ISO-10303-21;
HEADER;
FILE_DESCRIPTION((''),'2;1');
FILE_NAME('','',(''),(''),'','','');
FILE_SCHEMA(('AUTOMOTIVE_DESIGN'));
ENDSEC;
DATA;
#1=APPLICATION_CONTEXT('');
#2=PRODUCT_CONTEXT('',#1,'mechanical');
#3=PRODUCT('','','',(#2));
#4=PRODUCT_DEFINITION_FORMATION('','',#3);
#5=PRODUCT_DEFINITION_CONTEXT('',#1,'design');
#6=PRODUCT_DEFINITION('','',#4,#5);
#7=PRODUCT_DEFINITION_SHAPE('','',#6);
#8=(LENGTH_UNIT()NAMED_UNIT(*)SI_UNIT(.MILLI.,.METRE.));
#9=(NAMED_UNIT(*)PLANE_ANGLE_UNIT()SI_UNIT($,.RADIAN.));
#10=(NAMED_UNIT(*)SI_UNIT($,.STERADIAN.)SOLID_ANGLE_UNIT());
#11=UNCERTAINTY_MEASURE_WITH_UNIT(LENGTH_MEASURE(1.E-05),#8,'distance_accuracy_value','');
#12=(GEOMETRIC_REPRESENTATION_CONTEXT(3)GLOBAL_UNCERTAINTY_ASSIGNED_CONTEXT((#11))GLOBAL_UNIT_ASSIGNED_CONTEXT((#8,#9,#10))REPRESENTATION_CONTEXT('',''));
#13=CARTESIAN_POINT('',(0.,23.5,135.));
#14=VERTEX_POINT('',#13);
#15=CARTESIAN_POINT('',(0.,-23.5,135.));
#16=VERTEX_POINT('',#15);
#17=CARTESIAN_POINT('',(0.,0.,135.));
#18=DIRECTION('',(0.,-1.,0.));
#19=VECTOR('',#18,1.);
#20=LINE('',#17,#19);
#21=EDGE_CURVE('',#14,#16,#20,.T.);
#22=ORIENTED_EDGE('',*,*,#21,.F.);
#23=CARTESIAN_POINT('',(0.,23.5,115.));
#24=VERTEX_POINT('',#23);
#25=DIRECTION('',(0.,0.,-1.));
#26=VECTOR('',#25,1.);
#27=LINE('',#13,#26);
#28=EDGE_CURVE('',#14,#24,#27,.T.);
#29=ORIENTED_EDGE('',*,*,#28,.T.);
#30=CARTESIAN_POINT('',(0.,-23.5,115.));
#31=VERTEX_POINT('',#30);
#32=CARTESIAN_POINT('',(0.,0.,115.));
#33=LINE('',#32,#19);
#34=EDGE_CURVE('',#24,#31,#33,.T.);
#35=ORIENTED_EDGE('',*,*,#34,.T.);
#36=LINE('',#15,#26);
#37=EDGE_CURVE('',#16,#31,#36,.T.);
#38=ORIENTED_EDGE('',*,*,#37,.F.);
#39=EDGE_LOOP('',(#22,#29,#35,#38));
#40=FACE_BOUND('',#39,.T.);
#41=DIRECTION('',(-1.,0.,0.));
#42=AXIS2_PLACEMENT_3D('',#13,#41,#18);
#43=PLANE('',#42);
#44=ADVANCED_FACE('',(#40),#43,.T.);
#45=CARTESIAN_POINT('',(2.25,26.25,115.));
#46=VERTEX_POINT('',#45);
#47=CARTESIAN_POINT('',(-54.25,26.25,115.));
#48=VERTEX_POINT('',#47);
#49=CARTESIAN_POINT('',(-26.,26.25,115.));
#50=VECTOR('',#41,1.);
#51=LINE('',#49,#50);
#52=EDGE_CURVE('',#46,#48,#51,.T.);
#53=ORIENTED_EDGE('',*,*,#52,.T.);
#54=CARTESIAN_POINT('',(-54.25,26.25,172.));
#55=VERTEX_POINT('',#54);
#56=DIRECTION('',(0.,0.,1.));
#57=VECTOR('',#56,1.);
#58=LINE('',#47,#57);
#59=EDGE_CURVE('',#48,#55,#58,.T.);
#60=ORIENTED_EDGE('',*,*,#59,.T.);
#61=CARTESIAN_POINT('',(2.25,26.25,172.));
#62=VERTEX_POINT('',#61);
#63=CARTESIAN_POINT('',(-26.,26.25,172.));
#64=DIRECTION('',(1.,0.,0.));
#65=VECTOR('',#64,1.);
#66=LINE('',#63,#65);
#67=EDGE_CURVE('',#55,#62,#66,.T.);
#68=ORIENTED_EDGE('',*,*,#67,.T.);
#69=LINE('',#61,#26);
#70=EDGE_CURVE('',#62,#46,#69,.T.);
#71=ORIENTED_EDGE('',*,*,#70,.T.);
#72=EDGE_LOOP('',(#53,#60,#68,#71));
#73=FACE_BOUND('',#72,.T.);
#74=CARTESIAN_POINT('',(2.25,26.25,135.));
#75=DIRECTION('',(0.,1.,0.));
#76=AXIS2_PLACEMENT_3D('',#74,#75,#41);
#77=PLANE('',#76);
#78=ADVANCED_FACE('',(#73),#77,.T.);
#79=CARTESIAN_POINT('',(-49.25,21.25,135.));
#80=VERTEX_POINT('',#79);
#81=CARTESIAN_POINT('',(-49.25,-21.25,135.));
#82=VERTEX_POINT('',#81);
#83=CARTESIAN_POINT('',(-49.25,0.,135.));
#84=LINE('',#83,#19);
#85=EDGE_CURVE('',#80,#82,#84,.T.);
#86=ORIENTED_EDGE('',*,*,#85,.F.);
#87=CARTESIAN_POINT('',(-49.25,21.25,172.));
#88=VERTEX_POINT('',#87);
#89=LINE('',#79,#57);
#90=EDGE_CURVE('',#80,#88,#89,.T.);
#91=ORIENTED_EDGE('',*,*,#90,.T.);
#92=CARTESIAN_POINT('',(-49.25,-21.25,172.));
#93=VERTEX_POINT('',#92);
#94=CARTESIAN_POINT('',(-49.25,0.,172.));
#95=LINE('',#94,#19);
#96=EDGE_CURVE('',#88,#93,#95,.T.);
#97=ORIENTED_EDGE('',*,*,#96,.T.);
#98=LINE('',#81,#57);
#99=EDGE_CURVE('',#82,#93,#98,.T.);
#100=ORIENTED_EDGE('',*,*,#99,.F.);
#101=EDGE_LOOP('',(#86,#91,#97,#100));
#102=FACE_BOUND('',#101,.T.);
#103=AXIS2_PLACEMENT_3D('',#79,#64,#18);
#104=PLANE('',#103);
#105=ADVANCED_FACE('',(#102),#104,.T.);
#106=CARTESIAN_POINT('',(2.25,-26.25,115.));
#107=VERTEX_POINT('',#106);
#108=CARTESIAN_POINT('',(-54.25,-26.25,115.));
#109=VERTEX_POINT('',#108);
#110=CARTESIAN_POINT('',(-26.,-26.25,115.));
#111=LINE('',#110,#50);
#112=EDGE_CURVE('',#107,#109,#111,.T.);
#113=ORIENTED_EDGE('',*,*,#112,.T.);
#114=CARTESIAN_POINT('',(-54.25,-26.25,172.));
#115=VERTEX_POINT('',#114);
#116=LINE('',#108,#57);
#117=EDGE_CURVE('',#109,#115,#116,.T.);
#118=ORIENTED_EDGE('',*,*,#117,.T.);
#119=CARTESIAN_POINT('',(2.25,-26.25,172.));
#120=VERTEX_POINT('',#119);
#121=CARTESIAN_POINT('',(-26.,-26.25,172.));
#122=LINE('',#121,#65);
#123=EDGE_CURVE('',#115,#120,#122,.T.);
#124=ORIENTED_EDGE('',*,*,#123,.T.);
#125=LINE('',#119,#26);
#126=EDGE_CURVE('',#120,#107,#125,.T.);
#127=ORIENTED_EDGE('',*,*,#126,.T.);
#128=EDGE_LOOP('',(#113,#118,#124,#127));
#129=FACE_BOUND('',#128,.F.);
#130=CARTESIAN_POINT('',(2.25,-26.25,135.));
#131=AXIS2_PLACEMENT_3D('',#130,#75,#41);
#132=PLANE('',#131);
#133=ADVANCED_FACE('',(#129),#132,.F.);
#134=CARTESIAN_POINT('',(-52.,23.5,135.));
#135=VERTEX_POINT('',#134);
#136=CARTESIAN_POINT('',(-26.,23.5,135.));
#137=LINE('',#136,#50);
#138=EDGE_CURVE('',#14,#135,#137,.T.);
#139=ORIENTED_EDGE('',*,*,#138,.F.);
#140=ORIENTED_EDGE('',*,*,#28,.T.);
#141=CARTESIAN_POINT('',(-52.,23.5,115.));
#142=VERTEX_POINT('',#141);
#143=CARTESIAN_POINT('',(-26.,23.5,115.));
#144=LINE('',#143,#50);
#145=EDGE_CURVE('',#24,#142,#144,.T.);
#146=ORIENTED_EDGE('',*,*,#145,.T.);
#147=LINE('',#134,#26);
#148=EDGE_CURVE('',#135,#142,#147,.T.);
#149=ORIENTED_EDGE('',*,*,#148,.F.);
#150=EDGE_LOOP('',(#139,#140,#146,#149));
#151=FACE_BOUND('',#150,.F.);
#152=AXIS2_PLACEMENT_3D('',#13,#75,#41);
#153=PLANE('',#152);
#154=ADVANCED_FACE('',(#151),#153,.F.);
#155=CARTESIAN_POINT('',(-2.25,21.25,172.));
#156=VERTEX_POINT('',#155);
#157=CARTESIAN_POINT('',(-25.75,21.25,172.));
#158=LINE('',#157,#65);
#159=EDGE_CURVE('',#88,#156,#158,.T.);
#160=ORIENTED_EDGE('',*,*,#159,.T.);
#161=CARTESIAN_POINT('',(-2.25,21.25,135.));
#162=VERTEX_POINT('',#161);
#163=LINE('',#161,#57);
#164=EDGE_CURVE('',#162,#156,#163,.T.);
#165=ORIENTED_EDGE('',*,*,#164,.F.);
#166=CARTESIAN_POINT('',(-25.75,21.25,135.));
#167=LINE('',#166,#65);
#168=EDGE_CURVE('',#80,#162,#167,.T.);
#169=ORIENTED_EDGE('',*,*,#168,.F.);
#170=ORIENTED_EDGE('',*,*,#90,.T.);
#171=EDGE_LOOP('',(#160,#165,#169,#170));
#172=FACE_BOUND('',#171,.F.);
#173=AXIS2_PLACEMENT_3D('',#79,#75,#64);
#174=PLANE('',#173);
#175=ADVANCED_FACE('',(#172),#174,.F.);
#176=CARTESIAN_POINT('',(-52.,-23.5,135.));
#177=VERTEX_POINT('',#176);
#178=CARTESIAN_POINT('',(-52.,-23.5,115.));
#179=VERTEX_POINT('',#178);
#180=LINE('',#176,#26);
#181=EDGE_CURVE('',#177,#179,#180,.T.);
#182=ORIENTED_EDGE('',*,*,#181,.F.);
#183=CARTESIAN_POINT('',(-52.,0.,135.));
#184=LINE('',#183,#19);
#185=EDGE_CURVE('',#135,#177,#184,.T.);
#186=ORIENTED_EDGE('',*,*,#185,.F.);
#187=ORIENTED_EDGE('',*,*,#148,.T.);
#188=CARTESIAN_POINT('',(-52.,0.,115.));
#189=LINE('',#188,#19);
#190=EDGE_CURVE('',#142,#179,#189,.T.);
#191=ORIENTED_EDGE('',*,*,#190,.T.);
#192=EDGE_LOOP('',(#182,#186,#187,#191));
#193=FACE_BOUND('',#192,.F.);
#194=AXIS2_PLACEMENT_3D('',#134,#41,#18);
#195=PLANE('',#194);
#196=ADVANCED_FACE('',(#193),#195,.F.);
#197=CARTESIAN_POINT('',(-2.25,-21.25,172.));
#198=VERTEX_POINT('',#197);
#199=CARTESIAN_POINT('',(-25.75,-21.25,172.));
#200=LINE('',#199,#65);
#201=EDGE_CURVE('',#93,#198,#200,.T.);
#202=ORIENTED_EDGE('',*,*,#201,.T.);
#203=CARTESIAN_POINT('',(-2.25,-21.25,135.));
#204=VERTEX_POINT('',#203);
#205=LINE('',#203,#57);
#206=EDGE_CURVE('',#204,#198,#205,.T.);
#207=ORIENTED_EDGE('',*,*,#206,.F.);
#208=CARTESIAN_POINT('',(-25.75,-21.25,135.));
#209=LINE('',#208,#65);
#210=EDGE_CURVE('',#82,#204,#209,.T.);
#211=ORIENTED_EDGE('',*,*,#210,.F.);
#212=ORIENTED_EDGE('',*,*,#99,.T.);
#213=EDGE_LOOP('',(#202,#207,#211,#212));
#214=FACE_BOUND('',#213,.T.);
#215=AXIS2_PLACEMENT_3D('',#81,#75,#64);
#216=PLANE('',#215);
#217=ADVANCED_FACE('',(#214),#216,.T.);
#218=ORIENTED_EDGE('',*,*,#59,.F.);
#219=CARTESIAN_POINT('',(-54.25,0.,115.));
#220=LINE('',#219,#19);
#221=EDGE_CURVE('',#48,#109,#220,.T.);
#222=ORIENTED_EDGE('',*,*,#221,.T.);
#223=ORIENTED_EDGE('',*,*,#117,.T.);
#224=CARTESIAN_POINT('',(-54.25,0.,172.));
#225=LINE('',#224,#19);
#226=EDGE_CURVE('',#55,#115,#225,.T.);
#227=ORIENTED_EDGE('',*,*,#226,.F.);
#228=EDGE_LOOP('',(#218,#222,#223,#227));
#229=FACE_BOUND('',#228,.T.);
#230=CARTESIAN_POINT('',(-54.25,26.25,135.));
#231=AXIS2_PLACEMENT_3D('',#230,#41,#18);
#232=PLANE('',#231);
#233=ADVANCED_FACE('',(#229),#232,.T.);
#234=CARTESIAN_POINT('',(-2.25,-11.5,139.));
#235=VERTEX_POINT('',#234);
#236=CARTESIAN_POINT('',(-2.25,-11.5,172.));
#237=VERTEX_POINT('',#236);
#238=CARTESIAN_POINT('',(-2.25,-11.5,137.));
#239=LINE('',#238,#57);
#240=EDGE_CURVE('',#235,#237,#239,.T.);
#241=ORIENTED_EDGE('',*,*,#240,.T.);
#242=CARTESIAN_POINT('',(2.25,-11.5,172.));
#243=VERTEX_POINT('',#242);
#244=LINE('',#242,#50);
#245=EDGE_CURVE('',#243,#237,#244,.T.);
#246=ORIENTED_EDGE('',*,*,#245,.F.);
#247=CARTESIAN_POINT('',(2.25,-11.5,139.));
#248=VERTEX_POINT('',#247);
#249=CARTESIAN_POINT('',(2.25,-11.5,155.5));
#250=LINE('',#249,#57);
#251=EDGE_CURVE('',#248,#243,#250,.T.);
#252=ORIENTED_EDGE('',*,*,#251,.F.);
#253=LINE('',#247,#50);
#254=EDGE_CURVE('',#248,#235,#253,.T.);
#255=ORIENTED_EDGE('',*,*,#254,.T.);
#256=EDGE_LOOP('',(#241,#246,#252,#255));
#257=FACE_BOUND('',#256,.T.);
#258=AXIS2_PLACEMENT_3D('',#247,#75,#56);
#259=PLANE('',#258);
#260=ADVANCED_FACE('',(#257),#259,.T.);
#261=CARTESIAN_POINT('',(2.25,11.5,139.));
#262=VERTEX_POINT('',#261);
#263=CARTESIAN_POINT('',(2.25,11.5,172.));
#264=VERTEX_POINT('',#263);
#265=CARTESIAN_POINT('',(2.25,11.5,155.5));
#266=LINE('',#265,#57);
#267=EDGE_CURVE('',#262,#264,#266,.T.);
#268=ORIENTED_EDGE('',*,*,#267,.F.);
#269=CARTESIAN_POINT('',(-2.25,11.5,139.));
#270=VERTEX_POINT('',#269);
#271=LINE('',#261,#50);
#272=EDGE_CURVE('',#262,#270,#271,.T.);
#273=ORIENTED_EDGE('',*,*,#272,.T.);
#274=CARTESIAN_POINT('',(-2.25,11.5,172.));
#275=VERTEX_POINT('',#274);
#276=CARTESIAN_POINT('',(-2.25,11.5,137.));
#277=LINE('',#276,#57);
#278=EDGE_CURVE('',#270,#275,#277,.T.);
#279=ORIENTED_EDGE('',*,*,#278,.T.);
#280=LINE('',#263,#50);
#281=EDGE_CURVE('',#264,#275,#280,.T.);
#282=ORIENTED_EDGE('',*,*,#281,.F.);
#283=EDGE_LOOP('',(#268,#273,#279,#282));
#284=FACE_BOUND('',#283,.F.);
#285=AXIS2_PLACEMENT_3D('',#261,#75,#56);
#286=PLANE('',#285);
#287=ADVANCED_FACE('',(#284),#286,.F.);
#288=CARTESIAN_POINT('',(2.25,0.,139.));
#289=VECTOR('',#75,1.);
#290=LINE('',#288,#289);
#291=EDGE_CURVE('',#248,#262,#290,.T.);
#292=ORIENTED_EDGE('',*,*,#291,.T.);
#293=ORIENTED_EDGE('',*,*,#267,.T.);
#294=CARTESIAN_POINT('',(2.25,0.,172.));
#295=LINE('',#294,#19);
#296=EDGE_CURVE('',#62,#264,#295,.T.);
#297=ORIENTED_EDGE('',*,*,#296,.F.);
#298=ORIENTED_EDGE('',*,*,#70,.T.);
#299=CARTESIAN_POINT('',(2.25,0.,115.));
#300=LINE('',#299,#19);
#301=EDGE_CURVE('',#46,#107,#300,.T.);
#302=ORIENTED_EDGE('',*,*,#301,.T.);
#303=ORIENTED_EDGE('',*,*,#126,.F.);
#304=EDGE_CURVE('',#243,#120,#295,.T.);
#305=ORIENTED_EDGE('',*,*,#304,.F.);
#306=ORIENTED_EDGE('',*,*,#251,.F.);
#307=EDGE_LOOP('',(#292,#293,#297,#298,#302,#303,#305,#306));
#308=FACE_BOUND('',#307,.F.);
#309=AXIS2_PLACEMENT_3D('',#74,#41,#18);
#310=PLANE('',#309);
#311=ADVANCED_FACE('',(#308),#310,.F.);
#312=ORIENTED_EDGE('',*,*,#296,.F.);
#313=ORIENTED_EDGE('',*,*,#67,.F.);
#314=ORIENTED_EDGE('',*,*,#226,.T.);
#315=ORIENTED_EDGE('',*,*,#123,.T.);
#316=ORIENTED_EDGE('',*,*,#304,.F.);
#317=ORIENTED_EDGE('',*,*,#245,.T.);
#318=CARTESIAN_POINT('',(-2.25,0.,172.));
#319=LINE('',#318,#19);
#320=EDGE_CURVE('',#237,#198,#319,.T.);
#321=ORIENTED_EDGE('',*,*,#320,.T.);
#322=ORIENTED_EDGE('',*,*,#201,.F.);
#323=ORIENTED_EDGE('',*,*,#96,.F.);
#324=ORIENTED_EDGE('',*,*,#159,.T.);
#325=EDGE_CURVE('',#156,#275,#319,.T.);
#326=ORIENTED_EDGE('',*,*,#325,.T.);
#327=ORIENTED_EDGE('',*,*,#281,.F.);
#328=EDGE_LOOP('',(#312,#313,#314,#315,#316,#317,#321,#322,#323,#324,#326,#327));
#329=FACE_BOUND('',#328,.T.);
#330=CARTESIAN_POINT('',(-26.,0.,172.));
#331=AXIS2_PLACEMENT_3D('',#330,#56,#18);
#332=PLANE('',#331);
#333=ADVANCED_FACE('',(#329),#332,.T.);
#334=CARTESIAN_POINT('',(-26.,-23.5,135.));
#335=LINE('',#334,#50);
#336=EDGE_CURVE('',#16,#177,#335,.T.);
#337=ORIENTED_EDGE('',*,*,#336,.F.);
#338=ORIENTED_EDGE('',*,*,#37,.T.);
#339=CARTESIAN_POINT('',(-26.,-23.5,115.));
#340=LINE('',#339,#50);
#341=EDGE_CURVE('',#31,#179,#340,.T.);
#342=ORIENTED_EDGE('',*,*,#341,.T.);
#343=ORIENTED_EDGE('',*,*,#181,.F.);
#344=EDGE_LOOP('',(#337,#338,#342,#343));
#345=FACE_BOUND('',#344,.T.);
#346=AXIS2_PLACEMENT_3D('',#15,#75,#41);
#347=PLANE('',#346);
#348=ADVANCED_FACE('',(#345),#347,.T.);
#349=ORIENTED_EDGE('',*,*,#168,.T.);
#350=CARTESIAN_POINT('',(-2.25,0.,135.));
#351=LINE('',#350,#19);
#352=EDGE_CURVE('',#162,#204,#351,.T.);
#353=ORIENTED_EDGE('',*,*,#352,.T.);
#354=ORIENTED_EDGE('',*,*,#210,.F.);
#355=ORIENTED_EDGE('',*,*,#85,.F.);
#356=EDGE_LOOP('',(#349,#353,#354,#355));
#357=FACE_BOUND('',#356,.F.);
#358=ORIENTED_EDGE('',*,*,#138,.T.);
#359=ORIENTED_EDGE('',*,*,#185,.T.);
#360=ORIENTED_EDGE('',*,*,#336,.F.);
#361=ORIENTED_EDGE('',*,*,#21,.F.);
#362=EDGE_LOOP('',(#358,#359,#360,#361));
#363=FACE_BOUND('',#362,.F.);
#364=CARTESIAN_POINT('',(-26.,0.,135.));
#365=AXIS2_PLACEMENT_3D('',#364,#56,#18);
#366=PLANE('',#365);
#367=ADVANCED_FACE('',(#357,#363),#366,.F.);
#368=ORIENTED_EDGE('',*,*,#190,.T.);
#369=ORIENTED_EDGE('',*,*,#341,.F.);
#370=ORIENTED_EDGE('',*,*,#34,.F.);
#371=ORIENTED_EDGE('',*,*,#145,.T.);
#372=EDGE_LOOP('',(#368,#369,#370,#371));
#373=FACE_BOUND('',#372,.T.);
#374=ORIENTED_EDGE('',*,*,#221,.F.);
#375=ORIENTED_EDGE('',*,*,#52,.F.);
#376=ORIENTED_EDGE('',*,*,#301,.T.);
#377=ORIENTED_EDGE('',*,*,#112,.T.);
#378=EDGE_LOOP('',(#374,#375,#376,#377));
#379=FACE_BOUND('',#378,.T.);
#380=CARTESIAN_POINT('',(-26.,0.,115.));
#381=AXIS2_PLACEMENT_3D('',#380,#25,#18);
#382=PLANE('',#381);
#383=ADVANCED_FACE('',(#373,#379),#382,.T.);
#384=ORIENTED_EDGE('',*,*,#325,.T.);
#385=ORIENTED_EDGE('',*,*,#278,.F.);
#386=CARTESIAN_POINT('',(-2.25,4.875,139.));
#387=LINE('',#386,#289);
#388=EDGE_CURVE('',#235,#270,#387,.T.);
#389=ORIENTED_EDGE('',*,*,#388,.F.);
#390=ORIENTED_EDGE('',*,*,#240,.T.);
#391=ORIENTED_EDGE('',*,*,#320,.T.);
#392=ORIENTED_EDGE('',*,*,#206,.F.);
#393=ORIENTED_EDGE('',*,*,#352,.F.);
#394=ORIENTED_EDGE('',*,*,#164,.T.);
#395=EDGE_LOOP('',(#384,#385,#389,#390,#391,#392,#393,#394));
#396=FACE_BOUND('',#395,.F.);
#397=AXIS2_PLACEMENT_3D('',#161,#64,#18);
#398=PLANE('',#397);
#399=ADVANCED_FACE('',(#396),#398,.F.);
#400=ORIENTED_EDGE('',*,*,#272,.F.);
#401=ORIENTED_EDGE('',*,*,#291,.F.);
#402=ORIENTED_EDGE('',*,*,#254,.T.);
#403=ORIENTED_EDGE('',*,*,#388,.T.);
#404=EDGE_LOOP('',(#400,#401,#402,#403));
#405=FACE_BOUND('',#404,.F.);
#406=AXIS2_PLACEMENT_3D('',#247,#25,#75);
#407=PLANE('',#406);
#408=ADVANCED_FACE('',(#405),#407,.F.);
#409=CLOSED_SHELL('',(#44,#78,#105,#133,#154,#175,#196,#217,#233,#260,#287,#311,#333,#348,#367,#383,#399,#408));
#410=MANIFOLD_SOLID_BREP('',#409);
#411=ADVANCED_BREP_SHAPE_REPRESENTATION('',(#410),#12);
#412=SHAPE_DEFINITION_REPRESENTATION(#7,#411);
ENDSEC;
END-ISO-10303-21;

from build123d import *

# Parameters (mm, degrees)
SKETCH127_W             = 52.5
SKETCH127_H             = 56.5
SKETCH127_W_2           = 42.5
SKETCH127_H_2           = 47
PAD064_DEPTH            = 37
SKETCH125_W             = 23
SKETCH125_H             = 33
POCKET054_DEPTH         = 5
SKETCH129_W             = 52.5
SKETCH129_H             = 56.5
SKETCH129_W_2           = 47
SKETCH129_H_2           = 52
PAD063_DEPTH            = 20
BODY035_PLACEMENT_ANGLE = -90


with BuildPart() as part:
    # Sketch127 → Pad064 (new body)
    with BuildSketch(Plane.XY):
        with Locations((0, -26)):
            Rectangle(SKETCH127_W, SKETCH127_H)
        with Locations((0, -25.75)):
            Rectangle(SKETCH127_W_2, SKETCH127_H_2, mode=Mode.SUBTRACT)
    extrude(amount=PAD064_DEPTH)

    # Sketch125 (on Face1 of Pad064) → Pocket054 (cut)
    with BuildSketch(Plane(origin=(0, 2.25, 0), x_dir=(-1, 0, 0), z_dir=(0, 1, 0))):
        with Locations((0, 20.5)):
            Rectangle(SKETCH125_W, SKETCH125_H)
    extrude(amount=-POCKET054_DEPTH, mode=Mode.SUBTRACT)

    # Sketch129 (on Face2 of Pocket054) → Pad063 (join)
    with BuildSketch(Plane(origin=(0, 0, 0), x_dir=(1, 0, 0), z_dir=(0, 0, -1))):
        with Locations((0, 26)):
            Rectangle(SKETCH129_W, SKETCH129_H)
        with Locations((0, 26)):
            Rectangle(SKETCH129_W_2, SKETCH129_H_2, mode=Mode.SUBTRACT)
    extrude(amount=PAD063_DEPTH)


with BuildPart() as part_1:
    # Body035 placement: moved
    add(part.part.moved(Location((0, 0, 135))).rotate(Axis((0, 0, 135), (0, 0, 1)), BODY035_PLACEMENT_ANGLE))


solid = part_1.part
